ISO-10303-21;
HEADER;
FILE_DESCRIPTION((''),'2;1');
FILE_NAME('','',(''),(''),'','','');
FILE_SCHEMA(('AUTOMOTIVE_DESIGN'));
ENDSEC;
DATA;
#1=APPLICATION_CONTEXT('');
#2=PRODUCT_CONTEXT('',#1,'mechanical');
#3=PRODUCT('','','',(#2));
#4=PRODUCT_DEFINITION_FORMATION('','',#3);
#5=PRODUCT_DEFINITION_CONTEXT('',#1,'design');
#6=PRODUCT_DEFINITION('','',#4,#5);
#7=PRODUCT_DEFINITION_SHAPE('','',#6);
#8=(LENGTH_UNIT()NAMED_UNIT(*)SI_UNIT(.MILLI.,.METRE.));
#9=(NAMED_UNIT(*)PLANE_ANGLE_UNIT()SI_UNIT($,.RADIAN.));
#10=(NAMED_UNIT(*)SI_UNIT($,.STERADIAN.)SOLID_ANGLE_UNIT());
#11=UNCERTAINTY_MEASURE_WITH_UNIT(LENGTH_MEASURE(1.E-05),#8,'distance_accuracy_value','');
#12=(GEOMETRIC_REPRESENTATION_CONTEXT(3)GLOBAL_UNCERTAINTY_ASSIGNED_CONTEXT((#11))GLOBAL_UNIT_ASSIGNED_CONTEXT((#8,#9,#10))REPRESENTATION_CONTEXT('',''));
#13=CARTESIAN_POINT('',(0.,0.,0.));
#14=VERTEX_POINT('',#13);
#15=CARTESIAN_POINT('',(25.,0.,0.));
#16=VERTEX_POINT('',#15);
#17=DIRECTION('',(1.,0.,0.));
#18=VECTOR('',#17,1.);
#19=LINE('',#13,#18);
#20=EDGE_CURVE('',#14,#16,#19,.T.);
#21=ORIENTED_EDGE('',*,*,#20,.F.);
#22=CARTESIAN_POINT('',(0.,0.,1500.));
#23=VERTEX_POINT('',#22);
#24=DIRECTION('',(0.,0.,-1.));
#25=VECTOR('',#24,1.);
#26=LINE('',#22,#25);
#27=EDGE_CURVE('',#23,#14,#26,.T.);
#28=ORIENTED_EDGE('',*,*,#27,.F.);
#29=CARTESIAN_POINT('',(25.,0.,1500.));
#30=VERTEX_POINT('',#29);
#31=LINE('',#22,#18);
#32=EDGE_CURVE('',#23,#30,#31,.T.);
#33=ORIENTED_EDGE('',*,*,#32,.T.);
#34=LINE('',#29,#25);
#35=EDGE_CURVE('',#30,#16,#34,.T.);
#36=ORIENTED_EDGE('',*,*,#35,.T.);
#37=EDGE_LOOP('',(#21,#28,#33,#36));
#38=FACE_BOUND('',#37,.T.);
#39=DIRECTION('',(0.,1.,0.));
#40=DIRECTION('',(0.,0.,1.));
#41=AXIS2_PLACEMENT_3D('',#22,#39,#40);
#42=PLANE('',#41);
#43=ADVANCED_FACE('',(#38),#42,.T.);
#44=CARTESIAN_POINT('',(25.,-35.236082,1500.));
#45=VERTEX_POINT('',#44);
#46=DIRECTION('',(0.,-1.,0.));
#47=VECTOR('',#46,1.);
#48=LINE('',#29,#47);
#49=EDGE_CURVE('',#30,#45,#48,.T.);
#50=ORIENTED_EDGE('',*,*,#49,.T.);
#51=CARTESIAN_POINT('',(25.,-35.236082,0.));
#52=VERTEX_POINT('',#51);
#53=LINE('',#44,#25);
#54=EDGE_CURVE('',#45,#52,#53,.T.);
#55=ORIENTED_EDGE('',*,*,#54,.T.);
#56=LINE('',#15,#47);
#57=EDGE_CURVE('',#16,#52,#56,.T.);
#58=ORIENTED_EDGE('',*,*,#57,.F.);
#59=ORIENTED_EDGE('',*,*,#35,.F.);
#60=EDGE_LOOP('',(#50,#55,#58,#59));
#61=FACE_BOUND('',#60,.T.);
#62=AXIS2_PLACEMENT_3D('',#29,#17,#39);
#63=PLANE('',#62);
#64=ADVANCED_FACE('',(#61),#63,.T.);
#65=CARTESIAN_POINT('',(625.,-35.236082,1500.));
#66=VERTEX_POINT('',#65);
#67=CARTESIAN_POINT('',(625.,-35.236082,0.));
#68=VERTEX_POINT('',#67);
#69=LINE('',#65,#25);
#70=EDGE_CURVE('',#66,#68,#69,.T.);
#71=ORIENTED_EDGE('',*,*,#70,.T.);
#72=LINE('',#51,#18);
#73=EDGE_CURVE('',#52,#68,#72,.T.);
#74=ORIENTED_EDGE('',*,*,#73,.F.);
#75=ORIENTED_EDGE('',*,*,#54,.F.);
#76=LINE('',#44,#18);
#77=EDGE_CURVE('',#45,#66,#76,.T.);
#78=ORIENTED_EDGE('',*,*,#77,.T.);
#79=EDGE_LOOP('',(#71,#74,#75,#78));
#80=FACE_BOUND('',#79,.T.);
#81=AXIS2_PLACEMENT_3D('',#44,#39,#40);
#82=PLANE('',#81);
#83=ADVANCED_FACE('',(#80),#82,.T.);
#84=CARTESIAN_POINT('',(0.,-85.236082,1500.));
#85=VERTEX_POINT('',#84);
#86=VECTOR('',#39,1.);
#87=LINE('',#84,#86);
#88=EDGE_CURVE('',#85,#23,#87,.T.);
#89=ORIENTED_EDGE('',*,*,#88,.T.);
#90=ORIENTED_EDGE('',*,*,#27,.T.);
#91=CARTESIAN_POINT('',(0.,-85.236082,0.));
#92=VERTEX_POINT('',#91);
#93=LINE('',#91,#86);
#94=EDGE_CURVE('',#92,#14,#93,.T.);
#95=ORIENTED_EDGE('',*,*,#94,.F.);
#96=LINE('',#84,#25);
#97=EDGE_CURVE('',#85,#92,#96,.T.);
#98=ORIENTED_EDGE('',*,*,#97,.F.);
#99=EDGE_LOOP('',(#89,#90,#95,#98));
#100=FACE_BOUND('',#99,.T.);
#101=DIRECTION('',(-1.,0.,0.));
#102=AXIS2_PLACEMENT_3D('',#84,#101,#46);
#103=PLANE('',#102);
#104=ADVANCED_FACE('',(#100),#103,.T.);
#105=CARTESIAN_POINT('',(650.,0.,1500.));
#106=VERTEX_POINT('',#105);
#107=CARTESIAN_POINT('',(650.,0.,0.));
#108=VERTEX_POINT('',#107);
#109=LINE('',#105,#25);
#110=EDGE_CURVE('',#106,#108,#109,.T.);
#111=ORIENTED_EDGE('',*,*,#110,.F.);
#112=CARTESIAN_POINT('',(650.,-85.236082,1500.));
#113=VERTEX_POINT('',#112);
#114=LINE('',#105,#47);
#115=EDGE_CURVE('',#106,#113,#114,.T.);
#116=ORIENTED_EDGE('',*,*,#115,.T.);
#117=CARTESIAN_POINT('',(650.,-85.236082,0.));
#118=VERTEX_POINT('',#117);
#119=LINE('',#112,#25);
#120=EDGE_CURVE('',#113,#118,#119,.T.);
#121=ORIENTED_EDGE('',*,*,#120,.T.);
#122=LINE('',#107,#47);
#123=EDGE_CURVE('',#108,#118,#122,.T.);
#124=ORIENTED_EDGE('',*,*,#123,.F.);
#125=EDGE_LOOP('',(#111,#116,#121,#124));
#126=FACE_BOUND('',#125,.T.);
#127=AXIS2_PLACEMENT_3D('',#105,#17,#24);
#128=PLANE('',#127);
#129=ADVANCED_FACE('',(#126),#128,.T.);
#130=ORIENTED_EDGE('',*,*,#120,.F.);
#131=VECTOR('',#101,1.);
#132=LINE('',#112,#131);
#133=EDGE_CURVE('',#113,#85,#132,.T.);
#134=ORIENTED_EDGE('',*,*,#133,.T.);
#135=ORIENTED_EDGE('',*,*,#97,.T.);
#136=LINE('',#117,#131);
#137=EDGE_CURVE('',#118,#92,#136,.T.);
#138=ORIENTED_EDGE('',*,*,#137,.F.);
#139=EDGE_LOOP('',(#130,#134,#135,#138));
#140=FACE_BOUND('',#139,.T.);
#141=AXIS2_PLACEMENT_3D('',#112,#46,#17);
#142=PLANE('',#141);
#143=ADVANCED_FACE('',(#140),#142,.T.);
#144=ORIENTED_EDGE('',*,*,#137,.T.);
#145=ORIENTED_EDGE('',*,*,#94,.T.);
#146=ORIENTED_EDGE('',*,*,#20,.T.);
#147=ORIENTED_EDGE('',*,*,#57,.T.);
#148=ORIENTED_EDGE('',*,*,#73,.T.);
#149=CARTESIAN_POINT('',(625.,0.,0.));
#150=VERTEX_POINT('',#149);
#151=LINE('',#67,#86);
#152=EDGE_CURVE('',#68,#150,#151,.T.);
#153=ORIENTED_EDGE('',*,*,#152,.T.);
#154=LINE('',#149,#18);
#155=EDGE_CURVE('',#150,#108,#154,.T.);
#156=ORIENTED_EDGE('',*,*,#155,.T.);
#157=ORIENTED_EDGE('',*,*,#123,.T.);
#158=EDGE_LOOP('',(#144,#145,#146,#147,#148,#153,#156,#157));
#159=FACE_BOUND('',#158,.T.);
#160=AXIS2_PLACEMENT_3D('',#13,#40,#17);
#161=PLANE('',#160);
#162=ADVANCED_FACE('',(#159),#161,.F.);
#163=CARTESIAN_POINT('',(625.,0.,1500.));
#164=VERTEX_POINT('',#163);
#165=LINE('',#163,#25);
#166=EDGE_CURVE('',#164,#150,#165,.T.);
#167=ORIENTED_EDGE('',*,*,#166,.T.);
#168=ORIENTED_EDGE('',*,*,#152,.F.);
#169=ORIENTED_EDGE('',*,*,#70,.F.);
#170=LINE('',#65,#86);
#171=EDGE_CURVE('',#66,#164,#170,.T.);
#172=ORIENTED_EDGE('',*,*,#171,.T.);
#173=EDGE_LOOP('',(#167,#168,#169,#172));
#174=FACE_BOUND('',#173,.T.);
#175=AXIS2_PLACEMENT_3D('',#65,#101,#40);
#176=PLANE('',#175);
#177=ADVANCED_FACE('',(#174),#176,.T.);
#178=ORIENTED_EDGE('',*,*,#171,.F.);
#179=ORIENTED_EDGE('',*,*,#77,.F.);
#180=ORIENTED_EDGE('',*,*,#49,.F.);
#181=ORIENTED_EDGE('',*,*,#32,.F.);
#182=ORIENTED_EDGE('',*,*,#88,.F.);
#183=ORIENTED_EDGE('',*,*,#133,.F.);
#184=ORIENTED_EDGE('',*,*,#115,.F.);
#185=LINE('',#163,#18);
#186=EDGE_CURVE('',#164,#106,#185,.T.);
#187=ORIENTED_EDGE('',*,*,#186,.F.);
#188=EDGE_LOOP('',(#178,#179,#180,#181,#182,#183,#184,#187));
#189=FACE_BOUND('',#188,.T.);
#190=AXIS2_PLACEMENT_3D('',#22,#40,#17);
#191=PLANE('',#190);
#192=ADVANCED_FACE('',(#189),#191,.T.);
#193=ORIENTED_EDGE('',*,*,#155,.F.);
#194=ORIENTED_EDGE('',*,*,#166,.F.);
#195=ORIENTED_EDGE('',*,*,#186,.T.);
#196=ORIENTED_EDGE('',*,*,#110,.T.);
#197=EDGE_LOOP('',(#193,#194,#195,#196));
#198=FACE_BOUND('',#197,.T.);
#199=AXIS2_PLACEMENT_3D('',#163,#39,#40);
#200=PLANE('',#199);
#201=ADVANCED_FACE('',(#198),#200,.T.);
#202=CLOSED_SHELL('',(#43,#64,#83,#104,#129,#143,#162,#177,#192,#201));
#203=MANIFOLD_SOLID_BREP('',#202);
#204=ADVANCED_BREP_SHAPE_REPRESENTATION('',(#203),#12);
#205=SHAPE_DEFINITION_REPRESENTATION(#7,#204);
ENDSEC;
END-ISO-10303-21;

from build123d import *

# Parameters (mm, degrees)
BOSS_EXTRUDE1_DEPTH = 1500


with BuildPart() as part:
    # Sketch1 → Boss-Extrude1 (new body)
    with BuildSketch(Plane.XY):
        Polygon((0, 0), (25, 0), (25, -35.236081748), (625, -35.236081748), (625, 0), (650, 0), (650, -85.236081748), (0, -85.236081748), align=None)
    extrude(amount=BOSS_EXTRUDE1_DEPTH)


solid = part.part
